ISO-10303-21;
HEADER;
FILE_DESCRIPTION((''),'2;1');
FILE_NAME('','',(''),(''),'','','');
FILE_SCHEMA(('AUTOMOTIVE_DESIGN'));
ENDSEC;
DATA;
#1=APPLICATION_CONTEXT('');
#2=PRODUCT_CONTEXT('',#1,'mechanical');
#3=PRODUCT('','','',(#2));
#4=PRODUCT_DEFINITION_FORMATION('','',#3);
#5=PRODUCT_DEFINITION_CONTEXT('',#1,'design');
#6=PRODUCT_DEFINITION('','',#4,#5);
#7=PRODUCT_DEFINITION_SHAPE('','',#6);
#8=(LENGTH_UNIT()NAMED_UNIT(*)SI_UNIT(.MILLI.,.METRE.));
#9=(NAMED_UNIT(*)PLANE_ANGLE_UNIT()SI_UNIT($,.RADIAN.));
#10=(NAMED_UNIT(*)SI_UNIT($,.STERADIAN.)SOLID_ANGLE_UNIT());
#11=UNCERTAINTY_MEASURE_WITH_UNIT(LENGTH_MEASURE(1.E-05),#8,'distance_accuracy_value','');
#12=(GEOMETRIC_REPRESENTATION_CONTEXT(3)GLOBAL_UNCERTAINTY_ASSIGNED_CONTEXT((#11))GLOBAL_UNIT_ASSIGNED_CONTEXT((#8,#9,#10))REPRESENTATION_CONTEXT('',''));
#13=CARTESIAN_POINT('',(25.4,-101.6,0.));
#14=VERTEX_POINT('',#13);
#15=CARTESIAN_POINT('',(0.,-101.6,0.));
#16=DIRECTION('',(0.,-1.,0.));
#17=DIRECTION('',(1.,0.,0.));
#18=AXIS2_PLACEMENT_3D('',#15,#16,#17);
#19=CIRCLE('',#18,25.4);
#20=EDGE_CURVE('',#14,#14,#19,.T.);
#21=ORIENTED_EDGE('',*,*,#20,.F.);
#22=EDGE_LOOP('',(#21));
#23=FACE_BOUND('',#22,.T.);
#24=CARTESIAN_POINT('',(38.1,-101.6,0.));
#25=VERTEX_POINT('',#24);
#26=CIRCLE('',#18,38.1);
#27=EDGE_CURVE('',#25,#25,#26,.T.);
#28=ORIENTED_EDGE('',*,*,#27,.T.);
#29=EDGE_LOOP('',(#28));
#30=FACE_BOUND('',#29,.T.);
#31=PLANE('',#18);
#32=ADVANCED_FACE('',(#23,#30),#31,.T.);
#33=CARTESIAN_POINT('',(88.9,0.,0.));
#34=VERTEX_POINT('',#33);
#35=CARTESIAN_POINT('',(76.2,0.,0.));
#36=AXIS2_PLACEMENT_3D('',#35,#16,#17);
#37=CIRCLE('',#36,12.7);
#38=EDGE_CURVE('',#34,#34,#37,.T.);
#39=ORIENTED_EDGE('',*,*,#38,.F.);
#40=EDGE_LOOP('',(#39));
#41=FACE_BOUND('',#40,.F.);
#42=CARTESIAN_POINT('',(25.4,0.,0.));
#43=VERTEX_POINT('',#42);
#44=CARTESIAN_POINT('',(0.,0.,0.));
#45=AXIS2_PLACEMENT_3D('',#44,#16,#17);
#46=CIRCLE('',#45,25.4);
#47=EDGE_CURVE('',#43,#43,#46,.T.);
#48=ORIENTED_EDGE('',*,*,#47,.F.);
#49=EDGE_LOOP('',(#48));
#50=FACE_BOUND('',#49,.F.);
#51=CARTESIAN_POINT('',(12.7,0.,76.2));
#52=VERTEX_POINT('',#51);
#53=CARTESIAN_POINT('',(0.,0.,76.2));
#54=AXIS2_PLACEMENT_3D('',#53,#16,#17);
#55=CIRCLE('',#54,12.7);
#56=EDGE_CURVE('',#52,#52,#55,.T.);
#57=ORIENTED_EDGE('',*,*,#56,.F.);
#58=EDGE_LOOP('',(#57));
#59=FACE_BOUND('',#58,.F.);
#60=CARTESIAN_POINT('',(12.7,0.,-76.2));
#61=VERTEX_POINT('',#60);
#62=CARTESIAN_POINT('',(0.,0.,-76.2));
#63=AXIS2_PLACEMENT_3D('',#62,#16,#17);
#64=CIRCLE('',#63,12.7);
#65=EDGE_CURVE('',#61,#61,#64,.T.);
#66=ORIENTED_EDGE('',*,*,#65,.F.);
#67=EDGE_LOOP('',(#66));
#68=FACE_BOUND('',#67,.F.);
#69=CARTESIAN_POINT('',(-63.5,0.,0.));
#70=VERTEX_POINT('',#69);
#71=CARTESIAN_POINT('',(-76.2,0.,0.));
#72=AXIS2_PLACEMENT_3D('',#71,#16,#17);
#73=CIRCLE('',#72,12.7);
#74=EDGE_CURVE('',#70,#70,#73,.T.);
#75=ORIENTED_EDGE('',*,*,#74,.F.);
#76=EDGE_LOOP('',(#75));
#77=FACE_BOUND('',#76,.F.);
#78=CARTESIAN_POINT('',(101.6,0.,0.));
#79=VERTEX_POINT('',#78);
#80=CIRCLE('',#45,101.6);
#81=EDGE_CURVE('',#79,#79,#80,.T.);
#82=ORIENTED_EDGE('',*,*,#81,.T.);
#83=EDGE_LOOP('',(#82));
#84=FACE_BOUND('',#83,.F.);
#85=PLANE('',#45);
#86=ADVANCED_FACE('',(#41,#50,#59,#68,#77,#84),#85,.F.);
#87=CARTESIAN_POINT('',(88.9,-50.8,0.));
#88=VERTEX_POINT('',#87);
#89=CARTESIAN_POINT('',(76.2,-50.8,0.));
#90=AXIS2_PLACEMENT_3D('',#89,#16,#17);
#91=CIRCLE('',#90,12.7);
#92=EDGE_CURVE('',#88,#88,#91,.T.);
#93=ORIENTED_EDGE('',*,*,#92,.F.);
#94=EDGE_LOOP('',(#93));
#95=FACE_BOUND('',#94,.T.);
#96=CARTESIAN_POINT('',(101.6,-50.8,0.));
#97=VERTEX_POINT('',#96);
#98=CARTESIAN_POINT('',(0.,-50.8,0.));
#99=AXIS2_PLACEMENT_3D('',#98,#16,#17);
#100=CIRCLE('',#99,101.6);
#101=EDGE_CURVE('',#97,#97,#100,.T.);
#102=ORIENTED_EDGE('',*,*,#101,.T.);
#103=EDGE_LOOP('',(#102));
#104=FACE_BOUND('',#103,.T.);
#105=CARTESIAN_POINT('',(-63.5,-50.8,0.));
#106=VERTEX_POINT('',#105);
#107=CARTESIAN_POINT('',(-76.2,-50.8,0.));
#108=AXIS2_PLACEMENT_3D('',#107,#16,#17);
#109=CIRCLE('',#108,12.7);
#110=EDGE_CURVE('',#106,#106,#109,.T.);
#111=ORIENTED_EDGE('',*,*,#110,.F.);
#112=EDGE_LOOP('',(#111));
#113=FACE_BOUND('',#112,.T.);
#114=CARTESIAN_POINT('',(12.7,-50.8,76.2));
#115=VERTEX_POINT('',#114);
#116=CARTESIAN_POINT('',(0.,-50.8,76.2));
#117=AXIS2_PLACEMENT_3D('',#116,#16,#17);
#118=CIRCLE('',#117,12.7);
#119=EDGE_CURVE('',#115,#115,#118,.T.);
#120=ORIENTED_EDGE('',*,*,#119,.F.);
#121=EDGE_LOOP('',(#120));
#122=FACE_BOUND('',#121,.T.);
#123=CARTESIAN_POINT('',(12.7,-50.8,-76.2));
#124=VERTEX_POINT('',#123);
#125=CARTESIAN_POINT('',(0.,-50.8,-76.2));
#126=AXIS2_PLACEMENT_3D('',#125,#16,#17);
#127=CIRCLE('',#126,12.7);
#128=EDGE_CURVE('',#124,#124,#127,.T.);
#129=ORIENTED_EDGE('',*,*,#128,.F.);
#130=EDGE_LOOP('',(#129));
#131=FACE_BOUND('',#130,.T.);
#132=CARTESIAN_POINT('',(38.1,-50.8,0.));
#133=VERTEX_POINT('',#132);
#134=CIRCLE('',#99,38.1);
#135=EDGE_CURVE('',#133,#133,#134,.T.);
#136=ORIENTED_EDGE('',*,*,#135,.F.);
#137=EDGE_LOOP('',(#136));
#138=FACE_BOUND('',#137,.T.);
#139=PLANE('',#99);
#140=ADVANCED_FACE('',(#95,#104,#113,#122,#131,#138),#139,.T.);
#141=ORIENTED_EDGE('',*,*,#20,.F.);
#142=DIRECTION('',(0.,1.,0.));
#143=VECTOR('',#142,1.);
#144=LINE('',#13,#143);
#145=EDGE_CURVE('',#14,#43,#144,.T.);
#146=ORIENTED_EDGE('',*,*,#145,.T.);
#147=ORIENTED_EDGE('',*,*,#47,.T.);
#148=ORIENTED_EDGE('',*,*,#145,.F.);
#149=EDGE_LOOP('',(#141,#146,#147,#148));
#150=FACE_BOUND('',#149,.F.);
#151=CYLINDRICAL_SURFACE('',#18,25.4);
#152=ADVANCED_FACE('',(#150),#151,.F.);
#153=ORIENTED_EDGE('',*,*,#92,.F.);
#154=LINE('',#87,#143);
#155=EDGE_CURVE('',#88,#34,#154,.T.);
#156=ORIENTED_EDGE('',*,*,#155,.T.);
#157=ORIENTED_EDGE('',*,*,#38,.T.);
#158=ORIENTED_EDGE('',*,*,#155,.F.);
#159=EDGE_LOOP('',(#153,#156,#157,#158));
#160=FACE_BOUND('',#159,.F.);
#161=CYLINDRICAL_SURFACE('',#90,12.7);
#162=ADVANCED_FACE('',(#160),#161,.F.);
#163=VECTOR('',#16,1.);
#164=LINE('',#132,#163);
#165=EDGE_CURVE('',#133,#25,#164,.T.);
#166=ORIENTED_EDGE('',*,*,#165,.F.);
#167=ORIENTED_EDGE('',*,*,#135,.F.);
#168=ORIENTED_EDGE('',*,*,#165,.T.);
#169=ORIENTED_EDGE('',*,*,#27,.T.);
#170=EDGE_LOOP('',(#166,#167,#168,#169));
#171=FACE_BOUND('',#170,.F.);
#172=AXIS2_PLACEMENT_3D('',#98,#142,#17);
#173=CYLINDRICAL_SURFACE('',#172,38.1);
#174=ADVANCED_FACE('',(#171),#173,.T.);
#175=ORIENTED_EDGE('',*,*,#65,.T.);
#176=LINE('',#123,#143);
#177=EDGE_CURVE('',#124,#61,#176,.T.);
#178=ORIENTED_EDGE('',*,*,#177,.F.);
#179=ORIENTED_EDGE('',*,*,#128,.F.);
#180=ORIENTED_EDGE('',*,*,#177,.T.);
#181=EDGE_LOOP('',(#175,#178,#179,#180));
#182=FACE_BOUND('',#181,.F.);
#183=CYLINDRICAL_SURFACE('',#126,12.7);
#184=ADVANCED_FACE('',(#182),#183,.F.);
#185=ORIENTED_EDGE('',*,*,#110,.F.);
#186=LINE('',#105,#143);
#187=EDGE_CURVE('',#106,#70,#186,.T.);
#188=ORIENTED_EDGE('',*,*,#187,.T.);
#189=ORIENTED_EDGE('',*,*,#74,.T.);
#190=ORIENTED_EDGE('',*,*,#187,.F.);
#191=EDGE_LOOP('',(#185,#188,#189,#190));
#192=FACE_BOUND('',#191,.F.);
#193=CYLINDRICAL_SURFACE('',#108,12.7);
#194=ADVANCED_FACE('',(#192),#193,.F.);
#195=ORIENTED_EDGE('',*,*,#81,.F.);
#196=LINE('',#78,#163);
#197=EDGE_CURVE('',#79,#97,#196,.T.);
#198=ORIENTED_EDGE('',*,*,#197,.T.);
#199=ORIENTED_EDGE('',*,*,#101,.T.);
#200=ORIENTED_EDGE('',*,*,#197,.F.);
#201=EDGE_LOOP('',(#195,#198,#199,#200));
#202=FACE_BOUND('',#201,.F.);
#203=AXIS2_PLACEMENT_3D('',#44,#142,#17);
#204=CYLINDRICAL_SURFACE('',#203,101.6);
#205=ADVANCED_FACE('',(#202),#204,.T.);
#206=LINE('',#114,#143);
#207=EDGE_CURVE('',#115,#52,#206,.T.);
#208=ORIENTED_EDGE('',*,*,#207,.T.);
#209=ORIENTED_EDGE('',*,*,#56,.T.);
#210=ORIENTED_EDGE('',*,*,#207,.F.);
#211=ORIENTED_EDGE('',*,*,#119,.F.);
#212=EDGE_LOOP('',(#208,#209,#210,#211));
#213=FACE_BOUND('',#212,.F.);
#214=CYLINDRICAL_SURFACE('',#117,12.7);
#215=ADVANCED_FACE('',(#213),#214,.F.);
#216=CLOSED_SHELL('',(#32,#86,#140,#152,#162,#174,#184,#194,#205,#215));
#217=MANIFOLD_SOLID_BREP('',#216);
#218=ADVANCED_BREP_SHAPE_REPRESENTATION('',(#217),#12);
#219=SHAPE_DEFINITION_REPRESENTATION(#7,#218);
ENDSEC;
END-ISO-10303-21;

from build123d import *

# Parameters (mm, degrees)
F0_R     = 101.6
F1_DEPTH = 50.8
F2_R     = 38.1
F3_DEPTH = 50.8
F4_R     = 25.4
F5_DEPTH = 148.082
F6_R     = 12.7
F7_DEPTH = 95.758


with BuildPart() as f1:
    # F0 (on Front) → F1 (new body)
    with BuildSketch(Plane.XZ):
        Circle(F0_R)
    extrude(amount=F1_DEPTH)

    # F2 (on face) → F3 (join)
    with BuildSketch(Plane.XZ.offset(50.8)):
        Circle(F2_R)
    extrude(amount=F3_DEPTH)

    # F4 (on face) → F5 (cut)
    with BuildSketch(Plane.XZ.offset(101.6)):
        Circle(F4_R)
    extrude(amount=-F5_DEPTH, mode=Mode.SUBTRACT)

    # F6 (on face) → F7 (cut)
    with BuildSketch(Plane.XZ.offset(50.8)):
        with Locations((0, 76.2)):
            Circle(F6_R)
        with Locations((76.2, 0)):
            Circle(F6_R)
        with Locations((0, -76.2)):
            Circle(F6_R)
        with Locations((-76.2, 0)):
            Circle(F6_R)
    extrude(amount=-F7_DEPTH, mode=Mode.SUBTRACT)


solid = f1.part
